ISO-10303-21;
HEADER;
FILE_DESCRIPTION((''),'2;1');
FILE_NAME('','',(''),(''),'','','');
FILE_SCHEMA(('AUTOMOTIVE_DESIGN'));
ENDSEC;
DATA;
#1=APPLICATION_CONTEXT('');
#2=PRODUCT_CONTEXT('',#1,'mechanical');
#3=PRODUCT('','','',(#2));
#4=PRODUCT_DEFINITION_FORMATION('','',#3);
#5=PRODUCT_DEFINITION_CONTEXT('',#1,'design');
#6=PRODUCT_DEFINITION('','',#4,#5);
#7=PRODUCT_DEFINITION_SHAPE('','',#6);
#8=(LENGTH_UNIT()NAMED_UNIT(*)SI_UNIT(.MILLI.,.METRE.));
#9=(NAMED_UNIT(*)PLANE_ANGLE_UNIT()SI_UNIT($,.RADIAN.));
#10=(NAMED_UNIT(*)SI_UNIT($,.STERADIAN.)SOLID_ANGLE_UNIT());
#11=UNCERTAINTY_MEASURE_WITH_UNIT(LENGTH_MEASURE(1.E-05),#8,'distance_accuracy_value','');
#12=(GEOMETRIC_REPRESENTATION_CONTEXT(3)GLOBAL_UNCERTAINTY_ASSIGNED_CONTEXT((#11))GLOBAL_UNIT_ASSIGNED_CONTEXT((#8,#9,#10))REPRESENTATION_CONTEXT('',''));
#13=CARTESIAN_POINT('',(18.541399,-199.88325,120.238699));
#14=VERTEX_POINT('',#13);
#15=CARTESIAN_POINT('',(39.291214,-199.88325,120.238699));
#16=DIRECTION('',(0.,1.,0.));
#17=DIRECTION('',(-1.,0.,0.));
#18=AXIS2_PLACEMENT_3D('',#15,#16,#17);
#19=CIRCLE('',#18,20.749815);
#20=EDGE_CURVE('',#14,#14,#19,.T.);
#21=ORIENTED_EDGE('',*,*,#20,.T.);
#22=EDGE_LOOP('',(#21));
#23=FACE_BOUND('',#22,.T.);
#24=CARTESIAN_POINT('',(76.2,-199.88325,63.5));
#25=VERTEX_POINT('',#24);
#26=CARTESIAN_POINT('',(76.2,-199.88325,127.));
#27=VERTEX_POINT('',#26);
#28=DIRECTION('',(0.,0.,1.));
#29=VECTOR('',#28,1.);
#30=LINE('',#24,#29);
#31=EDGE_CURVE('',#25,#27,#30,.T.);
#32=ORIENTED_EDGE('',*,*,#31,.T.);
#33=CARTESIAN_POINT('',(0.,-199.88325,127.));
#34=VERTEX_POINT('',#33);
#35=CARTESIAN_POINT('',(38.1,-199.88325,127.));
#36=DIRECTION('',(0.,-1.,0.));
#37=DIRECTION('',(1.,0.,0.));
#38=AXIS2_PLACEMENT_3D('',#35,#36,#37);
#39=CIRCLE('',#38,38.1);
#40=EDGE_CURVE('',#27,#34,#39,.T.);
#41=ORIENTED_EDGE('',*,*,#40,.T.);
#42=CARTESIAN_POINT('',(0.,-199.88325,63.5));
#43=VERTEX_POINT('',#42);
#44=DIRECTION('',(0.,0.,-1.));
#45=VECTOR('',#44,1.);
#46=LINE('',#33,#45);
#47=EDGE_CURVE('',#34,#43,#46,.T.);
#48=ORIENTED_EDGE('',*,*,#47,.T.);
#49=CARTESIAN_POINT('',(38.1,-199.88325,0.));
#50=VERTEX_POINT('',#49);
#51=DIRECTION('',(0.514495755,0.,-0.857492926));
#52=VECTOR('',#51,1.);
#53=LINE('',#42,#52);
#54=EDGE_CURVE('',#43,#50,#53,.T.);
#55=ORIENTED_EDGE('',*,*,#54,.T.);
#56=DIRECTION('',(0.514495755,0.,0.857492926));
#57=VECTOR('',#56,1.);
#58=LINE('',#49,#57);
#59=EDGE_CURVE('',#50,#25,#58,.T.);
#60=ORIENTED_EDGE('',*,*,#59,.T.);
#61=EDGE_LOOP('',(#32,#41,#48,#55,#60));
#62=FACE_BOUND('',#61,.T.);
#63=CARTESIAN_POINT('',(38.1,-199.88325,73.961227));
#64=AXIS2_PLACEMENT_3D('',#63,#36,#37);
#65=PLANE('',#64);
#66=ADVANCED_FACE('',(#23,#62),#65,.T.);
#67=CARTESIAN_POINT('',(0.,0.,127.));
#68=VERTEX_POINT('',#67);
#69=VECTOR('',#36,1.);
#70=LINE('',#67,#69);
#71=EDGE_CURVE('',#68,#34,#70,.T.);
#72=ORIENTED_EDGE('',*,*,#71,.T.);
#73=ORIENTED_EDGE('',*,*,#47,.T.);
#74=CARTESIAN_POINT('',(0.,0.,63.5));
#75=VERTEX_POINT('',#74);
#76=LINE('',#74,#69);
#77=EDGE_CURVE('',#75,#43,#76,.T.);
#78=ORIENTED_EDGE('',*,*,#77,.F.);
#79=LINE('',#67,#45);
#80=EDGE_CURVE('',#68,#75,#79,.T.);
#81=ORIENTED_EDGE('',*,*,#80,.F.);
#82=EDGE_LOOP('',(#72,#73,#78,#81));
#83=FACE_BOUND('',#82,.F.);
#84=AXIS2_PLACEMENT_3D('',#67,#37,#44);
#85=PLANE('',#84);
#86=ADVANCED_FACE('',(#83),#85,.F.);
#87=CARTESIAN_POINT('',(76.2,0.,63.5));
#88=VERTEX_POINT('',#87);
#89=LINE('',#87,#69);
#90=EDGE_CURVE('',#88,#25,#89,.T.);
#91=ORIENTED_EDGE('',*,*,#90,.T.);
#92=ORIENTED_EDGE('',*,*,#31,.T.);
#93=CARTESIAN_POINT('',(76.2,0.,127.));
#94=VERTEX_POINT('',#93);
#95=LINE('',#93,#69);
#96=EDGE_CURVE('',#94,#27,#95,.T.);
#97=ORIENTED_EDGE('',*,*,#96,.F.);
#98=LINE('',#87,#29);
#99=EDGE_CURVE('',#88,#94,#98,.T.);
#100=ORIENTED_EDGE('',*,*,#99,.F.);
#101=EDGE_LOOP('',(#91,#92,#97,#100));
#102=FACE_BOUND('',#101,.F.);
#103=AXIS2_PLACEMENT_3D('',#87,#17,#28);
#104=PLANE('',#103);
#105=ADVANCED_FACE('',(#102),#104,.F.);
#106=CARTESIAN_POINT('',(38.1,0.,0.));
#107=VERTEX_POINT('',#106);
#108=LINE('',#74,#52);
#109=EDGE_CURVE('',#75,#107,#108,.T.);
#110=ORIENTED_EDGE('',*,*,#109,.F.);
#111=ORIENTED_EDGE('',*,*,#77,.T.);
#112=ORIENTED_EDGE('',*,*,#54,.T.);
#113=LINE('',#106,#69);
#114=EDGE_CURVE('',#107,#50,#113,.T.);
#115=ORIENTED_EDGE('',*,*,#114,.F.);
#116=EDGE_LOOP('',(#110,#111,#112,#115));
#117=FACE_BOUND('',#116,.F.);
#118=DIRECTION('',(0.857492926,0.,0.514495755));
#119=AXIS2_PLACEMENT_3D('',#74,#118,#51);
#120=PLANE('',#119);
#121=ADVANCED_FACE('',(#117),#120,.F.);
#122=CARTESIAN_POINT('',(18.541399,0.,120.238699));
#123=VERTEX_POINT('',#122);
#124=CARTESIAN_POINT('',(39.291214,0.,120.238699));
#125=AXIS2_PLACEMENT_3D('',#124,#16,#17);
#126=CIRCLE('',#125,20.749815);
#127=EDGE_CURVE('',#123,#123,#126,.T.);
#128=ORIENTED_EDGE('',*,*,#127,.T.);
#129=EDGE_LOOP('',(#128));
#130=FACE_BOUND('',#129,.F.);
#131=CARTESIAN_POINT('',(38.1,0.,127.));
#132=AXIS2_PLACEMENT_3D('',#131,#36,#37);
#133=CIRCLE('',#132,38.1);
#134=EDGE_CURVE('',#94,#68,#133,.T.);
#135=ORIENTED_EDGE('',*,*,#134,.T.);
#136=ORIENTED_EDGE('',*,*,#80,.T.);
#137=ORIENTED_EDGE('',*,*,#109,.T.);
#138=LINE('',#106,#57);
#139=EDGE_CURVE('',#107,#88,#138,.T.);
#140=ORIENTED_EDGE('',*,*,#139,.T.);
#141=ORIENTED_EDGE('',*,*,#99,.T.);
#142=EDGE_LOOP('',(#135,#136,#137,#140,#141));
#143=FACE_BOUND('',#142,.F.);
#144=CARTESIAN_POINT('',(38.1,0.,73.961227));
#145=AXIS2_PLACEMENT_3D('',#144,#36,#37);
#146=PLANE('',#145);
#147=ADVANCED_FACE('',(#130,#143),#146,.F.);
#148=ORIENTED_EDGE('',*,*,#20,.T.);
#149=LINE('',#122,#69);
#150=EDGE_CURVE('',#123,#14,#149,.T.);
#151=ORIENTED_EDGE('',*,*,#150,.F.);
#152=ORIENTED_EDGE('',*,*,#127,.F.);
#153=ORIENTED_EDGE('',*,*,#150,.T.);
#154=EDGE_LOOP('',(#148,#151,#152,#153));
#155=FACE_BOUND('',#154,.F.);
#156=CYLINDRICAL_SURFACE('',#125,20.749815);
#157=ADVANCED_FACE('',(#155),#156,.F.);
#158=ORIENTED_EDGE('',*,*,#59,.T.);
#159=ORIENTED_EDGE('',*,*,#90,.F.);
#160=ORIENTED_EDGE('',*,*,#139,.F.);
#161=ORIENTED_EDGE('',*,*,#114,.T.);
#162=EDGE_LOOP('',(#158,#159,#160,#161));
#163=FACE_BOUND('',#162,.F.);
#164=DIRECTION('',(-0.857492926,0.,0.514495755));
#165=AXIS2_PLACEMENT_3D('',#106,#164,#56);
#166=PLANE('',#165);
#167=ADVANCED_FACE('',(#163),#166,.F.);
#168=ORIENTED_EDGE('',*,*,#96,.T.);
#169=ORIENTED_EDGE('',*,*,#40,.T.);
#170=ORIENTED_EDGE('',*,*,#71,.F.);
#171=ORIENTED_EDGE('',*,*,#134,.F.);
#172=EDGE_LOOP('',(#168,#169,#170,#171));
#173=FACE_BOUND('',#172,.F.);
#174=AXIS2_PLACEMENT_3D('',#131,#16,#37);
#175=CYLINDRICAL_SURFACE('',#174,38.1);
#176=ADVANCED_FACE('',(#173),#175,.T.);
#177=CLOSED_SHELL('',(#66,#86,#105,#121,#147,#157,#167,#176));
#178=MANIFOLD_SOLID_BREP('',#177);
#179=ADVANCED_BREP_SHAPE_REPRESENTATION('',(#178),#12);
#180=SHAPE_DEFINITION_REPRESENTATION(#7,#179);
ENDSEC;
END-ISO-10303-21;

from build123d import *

# Parameters (mm, degrees)
F1_DEPTH = 199.88325
F2_R     = 20.749815
F3_DEPTH = 239.77543


with BuildPart() as f1:
    # F0 (on Front) → F1 (new body)
    with BuildSketch(Plane.XZ):
        with BuildLine():
            Line((0, 63.5), (38.1, 0))
            Line((38.1, 0), (76.2, 63.5))
            Line((76.2, 63.5), (76.2, 127))
            ThreePointArc((76.2, 127), (38.1, 88.9), (0, 127))
            Line((0, 127), (0, 63.5))
        make_face()
        with BuildLine():
            Line((76.2, 127), (0, 127))
            ThreePointArc((0, 127), (38.1, 88.9), (76.2, 127))
        make_face()
        with BuildLine():
            ThreePointArc((76.2, 127), (38.1, 165.1), (0, 127))
            Line((0, 127), (76.2, 127))
        make_face()
    extrude(amount=F1_DEPTH)

    # F2 (on face) → F3 (cut)
    with BuildSketch(Plane(origin=(0, 0, 0), x_dir=(-1, 0, 0), z_dir=(0, 1, 0))):
        with Locations((-39.291214, 120.238699)):
            Circle(F2_R)
    extrude(amount=-F3_DEPTH, mode=Mode.SUBTRACT)


solid = f1.part
